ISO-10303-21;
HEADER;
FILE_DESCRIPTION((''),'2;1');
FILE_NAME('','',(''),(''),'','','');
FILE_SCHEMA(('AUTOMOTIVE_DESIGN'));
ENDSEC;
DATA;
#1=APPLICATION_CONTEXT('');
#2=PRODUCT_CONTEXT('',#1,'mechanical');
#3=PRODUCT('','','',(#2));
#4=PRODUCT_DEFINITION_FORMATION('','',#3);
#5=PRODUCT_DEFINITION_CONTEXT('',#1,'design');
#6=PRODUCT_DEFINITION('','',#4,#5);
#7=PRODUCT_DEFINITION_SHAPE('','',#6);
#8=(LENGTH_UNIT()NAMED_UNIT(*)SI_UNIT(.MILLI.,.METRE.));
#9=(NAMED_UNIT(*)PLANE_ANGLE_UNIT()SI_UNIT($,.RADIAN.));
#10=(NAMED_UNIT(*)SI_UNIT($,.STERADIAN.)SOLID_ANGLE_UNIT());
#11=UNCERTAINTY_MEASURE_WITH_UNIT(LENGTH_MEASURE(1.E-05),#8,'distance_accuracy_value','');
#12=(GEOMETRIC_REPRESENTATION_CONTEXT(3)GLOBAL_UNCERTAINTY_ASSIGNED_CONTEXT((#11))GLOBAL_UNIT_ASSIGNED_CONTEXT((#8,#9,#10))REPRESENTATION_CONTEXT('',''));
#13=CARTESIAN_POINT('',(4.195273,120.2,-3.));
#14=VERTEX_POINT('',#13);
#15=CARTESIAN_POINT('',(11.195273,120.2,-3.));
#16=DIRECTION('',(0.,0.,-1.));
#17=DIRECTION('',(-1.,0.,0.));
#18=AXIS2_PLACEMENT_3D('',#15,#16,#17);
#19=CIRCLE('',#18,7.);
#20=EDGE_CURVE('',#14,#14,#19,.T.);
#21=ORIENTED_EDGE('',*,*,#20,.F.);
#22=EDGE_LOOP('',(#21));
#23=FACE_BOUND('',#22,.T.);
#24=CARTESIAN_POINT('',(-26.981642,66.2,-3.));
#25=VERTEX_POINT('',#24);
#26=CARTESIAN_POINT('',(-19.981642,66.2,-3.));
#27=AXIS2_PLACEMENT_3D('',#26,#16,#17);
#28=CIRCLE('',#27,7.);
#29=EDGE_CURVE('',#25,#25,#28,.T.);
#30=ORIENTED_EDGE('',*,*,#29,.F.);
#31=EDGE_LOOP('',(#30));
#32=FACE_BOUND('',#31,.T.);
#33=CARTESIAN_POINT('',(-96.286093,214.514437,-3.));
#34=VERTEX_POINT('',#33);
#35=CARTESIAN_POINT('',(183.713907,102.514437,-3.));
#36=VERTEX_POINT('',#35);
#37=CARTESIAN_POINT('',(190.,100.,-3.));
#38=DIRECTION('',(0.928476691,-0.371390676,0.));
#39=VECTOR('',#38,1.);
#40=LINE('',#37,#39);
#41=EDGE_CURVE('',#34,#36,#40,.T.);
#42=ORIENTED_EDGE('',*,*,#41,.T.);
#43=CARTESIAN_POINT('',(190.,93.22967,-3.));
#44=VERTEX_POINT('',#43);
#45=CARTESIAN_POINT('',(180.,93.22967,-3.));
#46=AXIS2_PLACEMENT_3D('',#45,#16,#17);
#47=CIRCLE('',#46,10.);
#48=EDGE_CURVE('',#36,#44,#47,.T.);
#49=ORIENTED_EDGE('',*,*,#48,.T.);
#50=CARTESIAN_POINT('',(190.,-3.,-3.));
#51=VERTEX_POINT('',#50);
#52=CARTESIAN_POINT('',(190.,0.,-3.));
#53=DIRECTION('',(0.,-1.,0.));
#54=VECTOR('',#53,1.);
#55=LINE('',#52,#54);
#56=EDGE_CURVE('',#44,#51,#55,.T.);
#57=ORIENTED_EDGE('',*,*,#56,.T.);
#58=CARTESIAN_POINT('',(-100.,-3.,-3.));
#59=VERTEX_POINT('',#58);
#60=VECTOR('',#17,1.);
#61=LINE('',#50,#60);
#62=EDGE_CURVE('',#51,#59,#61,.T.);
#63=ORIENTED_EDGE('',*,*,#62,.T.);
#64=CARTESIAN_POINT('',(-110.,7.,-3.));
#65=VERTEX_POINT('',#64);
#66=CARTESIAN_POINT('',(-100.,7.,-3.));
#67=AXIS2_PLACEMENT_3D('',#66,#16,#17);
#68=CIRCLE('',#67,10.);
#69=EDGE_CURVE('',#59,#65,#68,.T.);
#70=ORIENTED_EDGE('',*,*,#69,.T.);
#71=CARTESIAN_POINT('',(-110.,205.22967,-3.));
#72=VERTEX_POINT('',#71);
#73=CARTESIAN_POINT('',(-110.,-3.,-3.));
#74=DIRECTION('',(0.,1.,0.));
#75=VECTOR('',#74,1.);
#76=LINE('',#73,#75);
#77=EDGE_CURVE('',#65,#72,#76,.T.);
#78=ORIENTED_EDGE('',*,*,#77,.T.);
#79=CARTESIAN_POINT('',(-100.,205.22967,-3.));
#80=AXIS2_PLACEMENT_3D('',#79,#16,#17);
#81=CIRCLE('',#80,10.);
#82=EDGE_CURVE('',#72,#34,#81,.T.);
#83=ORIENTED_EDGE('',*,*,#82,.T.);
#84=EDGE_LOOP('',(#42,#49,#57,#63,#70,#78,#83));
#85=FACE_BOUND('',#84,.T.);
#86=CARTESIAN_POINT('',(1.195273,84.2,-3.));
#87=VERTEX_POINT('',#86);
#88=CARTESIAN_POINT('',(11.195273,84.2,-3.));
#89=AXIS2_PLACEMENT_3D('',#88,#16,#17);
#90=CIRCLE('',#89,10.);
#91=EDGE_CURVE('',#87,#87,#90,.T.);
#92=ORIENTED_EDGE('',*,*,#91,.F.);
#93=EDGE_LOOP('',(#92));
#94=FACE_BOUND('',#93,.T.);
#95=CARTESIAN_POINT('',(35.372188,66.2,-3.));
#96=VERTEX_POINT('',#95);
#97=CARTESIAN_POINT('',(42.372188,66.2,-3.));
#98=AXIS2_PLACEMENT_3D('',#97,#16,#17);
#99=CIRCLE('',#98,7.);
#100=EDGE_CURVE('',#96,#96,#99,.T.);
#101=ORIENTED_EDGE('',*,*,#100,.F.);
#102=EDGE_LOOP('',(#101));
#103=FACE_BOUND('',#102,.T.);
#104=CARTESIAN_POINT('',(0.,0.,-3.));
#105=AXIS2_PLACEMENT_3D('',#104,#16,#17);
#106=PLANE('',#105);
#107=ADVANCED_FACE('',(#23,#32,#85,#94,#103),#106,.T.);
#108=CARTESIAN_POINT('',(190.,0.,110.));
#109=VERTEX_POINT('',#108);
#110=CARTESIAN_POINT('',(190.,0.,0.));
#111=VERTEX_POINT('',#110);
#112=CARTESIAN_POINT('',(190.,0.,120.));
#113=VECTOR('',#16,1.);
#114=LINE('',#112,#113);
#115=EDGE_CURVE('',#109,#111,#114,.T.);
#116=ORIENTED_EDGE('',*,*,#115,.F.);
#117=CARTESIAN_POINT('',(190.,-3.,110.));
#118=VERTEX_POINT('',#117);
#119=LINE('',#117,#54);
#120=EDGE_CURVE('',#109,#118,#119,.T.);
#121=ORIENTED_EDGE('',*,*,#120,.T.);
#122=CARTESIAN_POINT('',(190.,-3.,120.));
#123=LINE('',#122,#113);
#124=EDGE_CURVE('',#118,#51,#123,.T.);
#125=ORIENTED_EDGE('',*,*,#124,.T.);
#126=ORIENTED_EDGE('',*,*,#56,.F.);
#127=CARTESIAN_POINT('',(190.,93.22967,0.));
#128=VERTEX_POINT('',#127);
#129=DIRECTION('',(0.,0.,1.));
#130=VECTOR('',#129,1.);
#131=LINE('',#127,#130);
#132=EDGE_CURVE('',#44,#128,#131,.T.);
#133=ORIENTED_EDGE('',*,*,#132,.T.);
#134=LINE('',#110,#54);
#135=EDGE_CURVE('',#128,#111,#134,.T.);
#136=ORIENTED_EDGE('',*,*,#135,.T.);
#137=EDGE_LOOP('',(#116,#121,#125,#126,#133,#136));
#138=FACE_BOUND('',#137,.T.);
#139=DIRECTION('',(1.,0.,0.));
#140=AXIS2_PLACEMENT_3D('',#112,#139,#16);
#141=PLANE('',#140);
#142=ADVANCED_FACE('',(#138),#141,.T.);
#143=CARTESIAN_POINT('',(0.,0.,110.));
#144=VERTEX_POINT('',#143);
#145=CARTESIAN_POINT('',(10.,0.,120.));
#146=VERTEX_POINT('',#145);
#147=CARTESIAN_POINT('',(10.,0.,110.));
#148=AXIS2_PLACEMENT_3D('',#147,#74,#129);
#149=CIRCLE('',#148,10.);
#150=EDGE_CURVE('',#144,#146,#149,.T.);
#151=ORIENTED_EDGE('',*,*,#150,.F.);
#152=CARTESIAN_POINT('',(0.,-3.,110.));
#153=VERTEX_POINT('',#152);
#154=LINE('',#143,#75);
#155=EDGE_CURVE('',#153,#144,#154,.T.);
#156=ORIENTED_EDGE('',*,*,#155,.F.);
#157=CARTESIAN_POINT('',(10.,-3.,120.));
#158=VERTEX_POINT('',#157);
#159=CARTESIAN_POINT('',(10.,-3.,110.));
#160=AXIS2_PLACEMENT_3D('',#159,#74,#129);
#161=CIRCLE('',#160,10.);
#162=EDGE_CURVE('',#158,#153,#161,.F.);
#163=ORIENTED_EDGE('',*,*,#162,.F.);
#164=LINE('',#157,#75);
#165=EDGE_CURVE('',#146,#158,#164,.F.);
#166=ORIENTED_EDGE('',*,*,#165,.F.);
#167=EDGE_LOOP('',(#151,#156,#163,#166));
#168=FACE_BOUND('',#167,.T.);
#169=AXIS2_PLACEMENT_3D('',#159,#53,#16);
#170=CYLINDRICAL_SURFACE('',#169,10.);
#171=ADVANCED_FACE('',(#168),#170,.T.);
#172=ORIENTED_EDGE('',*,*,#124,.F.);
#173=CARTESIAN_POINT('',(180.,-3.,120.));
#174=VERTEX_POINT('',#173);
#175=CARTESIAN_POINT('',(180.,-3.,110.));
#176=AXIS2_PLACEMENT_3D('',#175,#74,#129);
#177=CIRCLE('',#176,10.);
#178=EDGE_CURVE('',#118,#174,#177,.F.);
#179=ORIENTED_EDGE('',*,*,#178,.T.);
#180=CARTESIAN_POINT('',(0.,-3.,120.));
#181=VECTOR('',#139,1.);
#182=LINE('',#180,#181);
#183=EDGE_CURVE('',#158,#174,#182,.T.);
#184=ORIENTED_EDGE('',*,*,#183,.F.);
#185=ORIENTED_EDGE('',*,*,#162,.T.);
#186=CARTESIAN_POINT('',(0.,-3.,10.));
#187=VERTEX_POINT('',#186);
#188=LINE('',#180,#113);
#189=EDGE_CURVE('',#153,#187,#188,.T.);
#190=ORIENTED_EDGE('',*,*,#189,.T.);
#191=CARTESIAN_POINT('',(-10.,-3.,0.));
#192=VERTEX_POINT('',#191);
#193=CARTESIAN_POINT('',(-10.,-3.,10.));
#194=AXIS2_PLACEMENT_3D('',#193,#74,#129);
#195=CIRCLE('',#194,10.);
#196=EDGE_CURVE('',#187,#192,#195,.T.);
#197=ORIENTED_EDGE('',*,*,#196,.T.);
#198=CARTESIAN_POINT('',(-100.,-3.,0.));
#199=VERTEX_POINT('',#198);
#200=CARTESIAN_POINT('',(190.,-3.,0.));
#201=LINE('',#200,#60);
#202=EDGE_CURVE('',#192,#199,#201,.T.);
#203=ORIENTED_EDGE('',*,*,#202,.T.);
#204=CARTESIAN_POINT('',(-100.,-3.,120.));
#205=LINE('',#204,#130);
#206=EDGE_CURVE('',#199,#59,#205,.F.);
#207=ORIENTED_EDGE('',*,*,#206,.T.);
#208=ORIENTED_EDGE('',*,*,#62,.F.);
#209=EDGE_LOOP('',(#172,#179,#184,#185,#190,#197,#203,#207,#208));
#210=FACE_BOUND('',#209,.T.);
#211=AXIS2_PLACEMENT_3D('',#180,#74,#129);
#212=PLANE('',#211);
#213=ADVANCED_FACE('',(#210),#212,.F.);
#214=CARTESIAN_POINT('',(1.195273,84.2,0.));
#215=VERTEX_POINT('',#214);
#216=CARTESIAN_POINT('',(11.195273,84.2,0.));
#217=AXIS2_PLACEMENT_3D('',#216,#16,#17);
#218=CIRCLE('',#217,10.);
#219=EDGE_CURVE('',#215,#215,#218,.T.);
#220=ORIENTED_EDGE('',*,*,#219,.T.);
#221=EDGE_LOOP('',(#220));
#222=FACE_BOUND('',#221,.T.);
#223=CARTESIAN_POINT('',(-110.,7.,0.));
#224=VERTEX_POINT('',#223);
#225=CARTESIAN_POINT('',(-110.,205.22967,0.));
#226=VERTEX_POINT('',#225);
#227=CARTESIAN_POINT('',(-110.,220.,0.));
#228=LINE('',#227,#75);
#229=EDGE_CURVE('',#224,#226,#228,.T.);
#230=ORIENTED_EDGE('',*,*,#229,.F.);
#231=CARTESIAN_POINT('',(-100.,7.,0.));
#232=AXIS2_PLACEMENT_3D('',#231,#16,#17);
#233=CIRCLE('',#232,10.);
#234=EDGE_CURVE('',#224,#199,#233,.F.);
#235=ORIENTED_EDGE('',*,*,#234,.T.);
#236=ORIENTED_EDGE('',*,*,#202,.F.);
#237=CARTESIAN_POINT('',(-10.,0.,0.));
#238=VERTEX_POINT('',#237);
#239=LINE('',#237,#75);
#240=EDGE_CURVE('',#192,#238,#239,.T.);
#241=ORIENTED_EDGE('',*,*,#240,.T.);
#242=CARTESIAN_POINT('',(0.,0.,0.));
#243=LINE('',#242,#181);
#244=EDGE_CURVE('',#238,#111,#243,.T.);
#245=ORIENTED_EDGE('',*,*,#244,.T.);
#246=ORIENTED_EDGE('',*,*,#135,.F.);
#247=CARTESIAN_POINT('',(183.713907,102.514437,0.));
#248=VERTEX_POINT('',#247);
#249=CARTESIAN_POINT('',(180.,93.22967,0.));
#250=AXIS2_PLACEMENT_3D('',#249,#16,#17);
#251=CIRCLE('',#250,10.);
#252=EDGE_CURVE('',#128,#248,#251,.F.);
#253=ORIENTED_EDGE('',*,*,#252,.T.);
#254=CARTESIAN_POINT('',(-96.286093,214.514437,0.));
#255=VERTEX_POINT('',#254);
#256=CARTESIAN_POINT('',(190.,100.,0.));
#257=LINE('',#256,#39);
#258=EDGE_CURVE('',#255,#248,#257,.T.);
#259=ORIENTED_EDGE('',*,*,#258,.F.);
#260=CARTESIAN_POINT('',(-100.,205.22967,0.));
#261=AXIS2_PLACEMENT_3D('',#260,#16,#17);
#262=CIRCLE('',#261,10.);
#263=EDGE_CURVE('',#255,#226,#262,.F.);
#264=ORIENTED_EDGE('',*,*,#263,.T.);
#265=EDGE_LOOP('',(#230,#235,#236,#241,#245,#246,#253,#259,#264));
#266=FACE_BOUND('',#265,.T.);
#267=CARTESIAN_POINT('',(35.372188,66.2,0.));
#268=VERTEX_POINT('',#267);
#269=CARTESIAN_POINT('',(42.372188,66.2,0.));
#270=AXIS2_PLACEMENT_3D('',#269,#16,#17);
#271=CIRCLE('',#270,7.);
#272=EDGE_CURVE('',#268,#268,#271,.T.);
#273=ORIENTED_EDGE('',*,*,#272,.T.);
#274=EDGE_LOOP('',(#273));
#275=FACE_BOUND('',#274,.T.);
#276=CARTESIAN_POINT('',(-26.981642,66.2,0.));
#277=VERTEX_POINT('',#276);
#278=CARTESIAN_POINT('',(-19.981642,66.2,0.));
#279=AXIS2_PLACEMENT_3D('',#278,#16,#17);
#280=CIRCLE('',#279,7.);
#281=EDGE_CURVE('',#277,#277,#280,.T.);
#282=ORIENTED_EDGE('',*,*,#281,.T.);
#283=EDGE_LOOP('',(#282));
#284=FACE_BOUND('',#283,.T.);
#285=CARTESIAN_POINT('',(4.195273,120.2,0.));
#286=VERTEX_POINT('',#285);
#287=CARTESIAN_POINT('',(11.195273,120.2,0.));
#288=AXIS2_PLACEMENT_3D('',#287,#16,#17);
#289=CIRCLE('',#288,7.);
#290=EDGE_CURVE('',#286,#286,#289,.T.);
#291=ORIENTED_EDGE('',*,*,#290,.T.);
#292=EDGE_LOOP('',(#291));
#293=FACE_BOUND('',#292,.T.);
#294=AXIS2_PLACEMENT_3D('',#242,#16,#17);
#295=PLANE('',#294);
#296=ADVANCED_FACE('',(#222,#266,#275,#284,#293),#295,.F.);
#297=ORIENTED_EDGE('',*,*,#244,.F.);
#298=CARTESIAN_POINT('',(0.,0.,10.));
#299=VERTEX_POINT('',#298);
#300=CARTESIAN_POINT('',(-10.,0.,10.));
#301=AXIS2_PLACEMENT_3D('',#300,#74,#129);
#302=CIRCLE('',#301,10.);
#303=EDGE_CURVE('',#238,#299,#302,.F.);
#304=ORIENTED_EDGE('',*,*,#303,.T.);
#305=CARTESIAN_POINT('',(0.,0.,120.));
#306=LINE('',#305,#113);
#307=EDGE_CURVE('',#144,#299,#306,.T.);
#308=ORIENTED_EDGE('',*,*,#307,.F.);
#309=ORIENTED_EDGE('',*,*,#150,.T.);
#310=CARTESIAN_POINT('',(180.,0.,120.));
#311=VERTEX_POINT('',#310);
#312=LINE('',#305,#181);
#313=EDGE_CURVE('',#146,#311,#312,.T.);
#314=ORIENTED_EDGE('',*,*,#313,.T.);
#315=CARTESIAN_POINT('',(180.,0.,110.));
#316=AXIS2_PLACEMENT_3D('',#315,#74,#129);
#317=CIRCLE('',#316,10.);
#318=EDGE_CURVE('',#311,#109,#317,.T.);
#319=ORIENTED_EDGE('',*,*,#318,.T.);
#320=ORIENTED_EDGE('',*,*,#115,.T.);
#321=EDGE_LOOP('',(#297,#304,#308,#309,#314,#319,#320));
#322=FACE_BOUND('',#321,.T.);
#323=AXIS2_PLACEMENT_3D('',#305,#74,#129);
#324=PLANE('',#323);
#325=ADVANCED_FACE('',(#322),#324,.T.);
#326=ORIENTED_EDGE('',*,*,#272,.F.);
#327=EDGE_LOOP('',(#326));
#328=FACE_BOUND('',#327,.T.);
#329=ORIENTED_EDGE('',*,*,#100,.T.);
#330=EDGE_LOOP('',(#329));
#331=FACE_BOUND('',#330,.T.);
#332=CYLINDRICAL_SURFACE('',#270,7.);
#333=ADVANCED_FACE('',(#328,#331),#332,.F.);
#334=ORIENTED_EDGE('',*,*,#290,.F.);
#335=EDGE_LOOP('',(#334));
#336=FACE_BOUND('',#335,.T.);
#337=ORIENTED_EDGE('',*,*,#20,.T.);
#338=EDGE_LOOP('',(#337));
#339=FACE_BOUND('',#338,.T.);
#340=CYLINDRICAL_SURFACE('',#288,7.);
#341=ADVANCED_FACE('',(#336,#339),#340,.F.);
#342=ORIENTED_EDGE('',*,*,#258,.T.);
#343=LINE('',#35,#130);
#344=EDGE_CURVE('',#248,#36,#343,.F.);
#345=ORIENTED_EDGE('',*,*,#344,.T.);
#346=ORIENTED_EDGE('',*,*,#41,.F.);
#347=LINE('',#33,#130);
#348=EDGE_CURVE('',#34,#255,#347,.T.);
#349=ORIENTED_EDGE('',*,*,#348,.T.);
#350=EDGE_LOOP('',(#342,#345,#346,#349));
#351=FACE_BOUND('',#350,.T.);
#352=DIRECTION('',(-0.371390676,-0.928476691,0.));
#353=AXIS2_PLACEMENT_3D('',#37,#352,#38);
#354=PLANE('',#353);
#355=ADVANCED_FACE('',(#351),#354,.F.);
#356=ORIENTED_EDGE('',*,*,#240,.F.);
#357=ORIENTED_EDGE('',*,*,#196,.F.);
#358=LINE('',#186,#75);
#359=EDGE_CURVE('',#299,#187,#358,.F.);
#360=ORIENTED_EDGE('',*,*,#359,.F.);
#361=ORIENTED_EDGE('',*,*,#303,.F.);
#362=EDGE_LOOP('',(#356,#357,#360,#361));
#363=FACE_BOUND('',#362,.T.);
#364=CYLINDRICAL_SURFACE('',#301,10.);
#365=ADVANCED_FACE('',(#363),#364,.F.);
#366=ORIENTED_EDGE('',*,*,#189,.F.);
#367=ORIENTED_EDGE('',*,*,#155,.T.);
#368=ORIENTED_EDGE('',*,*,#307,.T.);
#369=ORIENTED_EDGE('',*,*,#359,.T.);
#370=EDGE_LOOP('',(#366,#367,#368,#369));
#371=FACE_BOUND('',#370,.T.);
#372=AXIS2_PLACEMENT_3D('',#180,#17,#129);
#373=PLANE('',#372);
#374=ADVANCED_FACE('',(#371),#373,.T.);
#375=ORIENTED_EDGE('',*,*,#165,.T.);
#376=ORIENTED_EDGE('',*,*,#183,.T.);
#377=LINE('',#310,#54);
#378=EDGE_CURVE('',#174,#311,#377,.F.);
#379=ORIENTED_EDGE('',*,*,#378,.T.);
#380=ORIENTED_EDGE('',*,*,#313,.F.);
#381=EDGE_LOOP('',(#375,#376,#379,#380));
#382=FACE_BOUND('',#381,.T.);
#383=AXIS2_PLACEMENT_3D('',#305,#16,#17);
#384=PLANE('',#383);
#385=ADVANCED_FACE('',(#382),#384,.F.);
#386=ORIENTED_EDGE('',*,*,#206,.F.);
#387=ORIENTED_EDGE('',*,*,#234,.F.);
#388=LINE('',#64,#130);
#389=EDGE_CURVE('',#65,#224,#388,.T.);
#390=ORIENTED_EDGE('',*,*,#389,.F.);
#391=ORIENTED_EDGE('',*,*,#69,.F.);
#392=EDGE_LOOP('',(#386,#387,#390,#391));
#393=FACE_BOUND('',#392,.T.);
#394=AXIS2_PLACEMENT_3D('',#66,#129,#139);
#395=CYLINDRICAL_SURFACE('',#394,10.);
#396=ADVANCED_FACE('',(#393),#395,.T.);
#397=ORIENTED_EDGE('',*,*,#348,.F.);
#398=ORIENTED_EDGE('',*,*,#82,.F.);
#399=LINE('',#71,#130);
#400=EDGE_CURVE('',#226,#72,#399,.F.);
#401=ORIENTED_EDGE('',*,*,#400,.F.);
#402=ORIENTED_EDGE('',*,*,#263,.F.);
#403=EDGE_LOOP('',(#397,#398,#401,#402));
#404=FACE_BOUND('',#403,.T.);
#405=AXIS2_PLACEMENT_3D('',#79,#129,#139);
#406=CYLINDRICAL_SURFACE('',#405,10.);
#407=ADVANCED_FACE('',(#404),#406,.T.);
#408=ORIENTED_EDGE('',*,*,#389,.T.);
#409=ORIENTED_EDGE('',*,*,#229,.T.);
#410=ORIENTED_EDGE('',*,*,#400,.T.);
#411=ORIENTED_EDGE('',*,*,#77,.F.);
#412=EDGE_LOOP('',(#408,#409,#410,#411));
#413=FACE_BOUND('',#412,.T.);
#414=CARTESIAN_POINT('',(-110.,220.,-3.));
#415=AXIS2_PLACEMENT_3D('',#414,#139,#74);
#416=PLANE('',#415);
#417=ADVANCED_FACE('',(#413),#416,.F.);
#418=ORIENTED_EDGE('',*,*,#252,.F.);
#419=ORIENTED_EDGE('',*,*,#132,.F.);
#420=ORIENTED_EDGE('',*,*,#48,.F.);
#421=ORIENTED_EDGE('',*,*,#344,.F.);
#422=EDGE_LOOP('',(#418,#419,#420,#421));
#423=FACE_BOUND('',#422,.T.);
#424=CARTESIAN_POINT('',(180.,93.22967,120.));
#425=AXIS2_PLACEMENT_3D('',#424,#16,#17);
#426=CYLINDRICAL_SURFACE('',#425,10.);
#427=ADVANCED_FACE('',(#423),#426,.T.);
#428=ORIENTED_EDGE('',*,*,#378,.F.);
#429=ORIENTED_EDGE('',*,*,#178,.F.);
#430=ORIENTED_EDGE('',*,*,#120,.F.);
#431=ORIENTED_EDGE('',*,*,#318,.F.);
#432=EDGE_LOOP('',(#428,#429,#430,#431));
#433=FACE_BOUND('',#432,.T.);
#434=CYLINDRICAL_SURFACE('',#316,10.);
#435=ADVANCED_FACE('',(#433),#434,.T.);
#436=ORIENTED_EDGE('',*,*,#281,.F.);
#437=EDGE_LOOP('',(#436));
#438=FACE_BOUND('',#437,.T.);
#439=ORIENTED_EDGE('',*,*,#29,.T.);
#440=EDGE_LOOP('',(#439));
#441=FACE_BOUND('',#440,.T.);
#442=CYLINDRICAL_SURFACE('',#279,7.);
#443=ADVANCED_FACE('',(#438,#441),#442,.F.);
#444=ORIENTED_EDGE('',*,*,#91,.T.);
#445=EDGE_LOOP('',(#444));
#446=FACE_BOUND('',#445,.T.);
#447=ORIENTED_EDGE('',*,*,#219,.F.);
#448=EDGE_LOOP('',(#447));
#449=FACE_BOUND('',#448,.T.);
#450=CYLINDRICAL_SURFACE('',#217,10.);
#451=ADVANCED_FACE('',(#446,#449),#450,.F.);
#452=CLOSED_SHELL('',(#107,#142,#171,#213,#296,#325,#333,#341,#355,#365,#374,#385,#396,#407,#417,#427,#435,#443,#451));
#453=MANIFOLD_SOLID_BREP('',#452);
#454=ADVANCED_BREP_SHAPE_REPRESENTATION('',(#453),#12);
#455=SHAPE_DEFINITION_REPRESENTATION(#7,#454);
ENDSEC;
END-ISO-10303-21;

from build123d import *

# Parameters (mm, degrees)
SKETCH1_W           = 190
SKETCH1_H           = 3
EXTRUDE_THIN1_DEPTH = 120
BOSS_EXTRUDE1_DEPTH = 3
FILLET2_R           = 10
SKETCH4_R           = 7
SKETCH4_R_2         = 10
CUT_EXTRUDE1_DEPTH  = 3


with BuildPart() as part:
    # Sketch1 → Extrude-Thin1 (new body)
    with BuildSketch(Plane.XY):
        with Locations((95, -1.5)):
            Rectangle(SKETCH1_W, SKETCH1_H)
    extrude(amount=EXTRUDE_THIN1_DEPTH)

    # Sketch3 → Boss-Extrude1 (add)
    with BuildSketch(Plane(origin=(0, 0, 0), x_dir=(-1, 0, 0), z_dir=(0, 0, -1))):
        Polygon((-190, 0), (-190, 100), (110, 220), (110, 0), (110, -3), (-190, -3), align=None)
    extrude(amount=BOSS_EXTRUDE1_DEPTH)

    # Fillet2
    fillet2_edges = [part.edges().sort_by_distance(p)[0] for p in [
        (0, -1.5, 120),
        (-110, -3, -1.5),
        (-110, 220, -1.5),
        (190, 100, -1.5),
        (0, -1.5, 0),
        (190, -1.5, 120),
    ]]
    fillet(fillet2_edges, radius=FILLET2_R)

    # Sketch4 → Cut-Extrude1 (cut)
    with BuildSketch(Plane(origin=(0, 0, -3), x_dir=(-1, 0, 0), z_dir=(0, 0, -1))):
        with Locations((-42.372187551, 66.2)):
            Circle(SKETCH4_R)
        with Locations((19.981641522, 66.2)):
            Circle(SKETCH4_R)
        with Locations((-11.195273015, 120.2)):
            Circle(SKETCH4_R)
        with Locations((-11.195273015, 84.2)):
            Circle(SKETCH4_R_2)
    extrude(amount=-CUT_EXTRUDE1_DEPTH, mode=Mode.SUBTRACT)


solid = part.part
